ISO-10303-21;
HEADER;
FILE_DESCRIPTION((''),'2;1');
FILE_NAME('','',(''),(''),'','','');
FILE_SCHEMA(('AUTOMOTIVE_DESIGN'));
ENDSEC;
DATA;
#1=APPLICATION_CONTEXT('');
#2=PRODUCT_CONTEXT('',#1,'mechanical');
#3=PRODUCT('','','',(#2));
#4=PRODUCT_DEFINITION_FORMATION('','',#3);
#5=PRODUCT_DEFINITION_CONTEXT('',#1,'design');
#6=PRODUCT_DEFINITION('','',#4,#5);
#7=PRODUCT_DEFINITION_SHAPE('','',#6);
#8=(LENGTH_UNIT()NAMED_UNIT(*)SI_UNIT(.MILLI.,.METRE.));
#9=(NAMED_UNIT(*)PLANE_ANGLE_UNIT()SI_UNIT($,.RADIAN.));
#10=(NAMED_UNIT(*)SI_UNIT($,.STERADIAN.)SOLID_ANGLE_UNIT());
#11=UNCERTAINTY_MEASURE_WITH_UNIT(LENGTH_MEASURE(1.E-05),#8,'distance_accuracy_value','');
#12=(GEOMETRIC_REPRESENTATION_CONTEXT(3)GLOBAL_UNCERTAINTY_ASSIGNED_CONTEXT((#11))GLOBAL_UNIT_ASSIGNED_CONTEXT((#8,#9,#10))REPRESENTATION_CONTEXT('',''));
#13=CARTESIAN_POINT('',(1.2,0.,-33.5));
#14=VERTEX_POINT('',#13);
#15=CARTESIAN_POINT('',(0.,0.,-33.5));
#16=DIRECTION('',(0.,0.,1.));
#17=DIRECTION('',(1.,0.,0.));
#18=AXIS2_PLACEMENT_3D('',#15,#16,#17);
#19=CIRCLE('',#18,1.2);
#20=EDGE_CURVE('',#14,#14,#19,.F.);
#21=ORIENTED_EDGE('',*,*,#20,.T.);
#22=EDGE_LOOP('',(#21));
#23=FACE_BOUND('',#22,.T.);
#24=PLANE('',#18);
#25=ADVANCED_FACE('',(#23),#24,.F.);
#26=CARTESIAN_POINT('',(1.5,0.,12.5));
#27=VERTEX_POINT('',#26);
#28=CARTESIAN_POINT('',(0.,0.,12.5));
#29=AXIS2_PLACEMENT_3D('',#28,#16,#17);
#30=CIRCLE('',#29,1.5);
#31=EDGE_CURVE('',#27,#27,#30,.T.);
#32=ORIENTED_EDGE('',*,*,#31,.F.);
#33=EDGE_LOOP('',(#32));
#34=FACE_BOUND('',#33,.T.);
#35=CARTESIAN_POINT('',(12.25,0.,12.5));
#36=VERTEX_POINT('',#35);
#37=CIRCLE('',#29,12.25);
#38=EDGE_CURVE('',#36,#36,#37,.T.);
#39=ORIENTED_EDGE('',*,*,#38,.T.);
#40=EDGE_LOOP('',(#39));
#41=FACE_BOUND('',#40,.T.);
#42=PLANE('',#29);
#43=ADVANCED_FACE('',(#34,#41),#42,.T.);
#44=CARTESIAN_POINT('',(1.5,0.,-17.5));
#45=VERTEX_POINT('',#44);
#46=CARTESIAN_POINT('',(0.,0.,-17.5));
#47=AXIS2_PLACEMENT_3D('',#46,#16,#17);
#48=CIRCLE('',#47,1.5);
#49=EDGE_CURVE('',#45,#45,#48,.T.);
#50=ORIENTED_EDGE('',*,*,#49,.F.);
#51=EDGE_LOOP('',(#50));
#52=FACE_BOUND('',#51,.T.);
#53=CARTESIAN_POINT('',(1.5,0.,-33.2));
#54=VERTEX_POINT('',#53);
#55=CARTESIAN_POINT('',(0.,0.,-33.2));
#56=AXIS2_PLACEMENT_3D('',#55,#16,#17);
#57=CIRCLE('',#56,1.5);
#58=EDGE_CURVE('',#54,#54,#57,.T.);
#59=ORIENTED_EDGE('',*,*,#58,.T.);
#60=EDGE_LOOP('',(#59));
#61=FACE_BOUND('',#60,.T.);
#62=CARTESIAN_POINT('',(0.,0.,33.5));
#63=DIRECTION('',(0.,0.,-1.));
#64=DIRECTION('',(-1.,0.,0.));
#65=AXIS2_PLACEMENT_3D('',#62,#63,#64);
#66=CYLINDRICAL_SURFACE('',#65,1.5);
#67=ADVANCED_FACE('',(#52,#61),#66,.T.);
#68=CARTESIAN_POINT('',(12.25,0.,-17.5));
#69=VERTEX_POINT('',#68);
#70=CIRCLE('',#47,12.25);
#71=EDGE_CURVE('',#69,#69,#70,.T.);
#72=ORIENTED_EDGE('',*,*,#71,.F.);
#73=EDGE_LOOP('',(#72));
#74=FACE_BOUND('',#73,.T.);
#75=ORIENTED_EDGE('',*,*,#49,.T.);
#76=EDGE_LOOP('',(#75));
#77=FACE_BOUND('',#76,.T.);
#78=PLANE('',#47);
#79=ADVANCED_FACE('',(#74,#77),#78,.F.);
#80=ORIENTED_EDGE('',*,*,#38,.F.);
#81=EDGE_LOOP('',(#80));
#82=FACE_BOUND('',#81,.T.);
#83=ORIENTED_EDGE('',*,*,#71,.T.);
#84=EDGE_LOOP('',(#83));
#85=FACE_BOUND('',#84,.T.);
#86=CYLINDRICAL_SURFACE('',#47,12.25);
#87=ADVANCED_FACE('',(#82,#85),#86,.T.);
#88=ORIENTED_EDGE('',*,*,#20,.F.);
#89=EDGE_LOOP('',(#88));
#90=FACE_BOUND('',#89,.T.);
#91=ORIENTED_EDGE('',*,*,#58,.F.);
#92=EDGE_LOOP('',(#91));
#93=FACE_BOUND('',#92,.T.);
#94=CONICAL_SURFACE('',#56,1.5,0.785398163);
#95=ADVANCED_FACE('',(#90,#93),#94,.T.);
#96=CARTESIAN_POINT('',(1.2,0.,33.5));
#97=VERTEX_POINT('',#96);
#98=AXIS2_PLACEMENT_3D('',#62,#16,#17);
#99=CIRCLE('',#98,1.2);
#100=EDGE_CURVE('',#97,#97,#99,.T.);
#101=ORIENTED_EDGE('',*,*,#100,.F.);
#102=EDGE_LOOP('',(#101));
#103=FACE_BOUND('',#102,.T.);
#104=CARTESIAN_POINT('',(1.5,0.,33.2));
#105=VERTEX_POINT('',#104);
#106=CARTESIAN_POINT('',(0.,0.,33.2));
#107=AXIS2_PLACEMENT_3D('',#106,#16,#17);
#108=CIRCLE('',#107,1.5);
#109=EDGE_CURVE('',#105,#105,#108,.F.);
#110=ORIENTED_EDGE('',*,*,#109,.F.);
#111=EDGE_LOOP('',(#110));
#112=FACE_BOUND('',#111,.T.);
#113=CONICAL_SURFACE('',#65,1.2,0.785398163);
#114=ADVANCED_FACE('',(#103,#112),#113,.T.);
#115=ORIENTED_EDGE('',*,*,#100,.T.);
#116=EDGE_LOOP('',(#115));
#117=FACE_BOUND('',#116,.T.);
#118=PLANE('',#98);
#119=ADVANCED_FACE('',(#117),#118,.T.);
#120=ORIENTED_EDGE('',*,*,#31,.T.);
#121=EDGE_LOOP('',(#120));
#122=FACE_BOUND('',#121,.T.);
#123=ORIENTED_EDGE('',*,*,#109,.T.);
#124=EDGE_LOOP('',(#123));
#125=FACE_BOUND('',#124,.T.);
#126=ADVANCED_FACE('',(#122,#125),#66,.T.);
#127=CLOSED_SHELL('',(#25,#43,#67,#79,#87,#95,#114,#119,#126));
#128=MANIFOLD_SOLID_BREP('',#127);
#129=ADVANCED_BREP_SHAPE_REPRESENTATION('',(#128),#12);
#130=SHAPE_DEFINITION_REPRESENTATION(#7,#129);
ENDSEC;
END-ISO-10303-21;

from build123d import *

# Parameters (mm, degrees)
SKETCH1_R           = 1.5
BOSS_EXTRUDE1_DEPTH = 33.5
SKETCH2_R           = 12.25
SKETCH2_R_2         = 1.5
BOSS_EXTRUDE2_DEPTH = 30
CHAMFER1_SIZE       = 0.3


with BuildPart() as part:
    # Sketch1 → Boss-Extrude1 (new body, symmetric)
    with BuildSketch(Plane.XY):
        Circle(SKETCH1_R)
    extrude(amount=BOSS_EXTRUDE1_DEPTH, both=True)

    # Sketch2 → Boss-Extrude2 (add)
    with BuildSketch(Plane.XY.offset(12.5)):
        Circle(SKETCH2_R)
        Circle(SKETCH2_R_2, mode=Mode.SUBTRACT)
    extrude(amount=-BOSS_EXTRUDE2_DEPTH)

    # Chamfer1
    chamfer1_edges = [part.edges().sort_by_distance(p)[0] for p in [
        (-1.5, 0, -33.5),
        (-1.5, 0, 33.5),
    ]]
    chamfer(chamfer1_edges, length=CHAMFER1_SIZE)


solid = part.part
